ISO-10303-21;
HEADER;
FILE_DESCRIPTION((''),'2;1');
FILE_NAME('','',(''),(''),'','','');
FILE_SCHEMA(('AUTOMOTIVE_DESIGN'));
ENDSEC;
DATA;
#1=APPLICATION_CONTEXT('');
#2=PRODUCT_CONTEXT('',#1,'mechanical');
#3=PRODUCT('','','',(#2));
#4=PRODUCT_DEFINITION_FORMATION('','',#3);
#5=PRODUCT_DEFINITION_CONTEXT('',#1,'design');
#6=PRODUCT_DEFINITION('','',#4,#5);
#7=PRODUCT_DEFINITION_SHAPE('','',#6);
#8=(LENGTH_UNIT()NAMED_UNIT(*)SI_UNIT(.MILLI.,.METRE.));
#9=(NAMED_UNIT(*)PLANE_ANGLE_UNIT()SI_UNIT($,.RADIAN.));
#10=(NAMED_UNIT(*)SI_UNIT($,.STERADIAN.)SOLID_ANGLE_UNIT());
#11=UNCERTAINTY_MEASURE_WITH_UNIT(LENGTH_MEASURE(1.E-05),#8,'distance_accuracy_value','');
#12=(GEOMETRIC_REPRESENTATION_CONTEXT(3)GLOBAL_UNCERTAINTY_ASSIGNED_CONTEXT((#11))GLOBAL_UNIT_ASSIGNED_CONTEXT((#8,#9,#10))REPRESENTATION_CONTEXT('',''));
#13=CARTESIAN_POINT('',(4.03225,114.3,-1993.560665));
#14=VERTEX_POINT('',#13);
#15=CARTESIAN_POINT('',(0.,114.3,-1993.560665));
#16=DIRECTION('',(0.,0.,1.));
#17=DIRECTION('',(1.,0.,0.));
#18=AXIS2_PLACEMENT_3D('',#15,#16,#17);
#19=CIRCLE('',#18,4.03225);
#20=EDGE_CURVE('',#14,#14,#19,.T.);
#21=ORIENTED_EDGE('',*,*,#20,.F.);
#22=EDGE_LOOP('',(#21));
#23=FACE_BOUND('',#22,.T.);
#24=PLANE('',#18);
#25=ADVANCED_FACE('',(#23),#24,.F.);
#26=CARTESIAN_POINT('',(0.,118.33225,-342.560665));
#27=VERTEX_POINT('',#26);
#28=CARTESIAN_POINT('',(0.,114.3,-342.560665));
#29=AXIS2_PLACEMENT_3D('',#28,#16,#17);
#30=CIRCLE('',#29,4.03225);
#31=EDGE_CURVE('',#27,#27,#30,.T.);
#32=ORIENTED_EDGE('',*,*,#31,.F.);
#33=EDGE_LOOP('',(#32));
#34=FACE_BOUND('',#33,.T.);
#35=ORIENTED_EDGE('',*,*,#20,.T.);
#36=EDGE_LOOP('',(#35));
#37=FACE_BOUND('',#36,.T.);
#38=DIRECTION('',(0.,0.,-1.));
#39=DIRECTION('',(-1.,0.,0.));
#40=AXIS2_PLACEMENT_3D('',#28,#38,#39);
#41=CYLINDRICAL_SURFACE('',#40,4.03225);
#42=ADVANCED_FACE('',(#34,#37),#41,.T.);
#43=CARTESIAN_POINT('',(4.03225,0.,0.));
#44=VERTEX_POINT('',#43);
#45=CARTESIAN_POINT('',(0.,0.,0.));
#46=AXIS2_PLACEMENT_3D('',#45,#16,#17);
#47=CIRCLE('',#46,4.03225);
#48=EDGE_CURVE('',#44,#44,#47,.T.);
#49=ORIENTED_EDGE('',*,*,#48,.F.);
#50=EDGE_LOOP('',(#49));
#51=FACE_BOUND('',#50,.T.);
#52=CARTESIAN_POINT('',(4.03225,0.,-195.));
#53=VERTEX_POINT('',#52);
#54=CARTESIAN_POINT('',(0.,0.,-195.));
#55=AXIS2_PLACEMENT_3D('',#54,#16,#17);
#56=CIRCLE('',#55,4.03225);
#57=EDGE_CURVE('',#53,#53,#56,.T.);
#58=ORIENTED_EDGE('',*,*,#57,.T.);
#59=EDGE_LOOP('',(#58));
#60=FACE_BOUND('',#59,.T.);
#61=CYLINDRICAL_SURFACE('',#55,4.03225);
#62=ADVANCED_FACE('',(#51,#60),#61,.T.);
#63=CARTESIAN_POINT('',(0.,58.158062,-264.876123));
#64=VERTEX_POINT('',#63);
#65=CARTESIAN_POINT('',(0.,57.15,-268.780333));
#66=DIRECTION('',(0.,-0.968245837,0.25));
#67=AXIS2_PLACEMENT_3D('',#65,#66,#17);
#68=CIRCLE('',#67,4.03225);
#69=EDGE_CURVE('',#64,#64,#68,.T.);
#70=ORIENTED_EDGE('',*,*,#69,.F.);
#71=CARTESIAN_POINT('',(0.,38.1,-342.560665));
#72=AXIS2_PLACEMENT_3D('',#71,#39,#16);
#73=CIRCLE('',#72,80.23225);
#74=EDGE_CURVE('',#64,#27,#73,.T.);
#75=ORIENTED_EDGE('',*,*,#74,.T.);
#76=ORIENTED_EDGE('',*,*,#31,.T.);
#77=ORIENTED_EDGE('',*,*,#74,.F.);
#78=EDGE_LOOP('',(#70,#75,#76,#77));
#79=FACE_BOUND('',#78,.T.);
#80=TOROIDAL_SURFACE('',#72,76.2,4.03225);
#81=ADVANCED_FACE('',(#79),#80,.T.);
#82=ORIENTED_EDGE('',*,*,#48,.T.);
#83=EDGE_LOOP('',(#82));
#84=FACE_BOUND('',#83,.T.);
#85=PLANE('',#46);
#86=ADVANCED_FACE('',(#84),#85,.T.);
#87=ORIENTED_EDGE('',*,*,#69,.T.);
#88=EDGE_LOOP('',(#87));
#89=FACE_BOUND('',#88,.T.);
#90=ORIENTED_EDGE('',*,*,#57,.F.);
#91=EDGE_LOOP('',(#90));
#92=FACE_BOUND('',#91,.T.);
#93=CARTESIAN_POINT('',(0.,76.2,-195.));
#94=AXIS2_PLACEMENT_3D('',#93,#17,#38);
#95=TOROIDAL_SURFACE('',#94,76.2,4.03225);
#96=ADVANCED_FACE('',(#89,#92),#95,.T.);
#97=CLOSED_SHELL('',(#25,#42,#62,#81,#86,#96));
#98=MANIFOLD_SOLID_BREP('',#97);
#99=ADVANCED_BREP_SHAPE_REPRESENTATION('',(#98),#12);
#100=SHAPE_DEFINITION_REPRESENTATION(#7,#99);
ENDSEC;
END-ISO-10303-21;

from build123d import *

# Parameters (mm, degrees)
SKETCH1_R = 4.03225


with BuildPart() as part:
    # Sweep1: sweep along a path in Sketch2
    with BuildLine(Plane(origin=(0, 0, 0), x_dir=(0, 0, -1), z_dir=(1, 0, 0))) as sweep1_path:
        Line((0, 0), (195, 0))
        ThreePointArc((195, 0), (241.6627796, 15.958610574), (268.780332745, 57.15))
        ThreePointArc((268.780332745, 57.15), (295.89788589, 98.341389426), (342.560665491, 114.3))
        Line((342.560665491, 114.3), (1993.560665491, 114.3))
    # Sketch1 → Sweep1 (sweep)
    with BuildSketch(Plane.XY):
        Circle(SKETCH1_R)
    sweep(path=sweep1_path.line)


solid = part.part
